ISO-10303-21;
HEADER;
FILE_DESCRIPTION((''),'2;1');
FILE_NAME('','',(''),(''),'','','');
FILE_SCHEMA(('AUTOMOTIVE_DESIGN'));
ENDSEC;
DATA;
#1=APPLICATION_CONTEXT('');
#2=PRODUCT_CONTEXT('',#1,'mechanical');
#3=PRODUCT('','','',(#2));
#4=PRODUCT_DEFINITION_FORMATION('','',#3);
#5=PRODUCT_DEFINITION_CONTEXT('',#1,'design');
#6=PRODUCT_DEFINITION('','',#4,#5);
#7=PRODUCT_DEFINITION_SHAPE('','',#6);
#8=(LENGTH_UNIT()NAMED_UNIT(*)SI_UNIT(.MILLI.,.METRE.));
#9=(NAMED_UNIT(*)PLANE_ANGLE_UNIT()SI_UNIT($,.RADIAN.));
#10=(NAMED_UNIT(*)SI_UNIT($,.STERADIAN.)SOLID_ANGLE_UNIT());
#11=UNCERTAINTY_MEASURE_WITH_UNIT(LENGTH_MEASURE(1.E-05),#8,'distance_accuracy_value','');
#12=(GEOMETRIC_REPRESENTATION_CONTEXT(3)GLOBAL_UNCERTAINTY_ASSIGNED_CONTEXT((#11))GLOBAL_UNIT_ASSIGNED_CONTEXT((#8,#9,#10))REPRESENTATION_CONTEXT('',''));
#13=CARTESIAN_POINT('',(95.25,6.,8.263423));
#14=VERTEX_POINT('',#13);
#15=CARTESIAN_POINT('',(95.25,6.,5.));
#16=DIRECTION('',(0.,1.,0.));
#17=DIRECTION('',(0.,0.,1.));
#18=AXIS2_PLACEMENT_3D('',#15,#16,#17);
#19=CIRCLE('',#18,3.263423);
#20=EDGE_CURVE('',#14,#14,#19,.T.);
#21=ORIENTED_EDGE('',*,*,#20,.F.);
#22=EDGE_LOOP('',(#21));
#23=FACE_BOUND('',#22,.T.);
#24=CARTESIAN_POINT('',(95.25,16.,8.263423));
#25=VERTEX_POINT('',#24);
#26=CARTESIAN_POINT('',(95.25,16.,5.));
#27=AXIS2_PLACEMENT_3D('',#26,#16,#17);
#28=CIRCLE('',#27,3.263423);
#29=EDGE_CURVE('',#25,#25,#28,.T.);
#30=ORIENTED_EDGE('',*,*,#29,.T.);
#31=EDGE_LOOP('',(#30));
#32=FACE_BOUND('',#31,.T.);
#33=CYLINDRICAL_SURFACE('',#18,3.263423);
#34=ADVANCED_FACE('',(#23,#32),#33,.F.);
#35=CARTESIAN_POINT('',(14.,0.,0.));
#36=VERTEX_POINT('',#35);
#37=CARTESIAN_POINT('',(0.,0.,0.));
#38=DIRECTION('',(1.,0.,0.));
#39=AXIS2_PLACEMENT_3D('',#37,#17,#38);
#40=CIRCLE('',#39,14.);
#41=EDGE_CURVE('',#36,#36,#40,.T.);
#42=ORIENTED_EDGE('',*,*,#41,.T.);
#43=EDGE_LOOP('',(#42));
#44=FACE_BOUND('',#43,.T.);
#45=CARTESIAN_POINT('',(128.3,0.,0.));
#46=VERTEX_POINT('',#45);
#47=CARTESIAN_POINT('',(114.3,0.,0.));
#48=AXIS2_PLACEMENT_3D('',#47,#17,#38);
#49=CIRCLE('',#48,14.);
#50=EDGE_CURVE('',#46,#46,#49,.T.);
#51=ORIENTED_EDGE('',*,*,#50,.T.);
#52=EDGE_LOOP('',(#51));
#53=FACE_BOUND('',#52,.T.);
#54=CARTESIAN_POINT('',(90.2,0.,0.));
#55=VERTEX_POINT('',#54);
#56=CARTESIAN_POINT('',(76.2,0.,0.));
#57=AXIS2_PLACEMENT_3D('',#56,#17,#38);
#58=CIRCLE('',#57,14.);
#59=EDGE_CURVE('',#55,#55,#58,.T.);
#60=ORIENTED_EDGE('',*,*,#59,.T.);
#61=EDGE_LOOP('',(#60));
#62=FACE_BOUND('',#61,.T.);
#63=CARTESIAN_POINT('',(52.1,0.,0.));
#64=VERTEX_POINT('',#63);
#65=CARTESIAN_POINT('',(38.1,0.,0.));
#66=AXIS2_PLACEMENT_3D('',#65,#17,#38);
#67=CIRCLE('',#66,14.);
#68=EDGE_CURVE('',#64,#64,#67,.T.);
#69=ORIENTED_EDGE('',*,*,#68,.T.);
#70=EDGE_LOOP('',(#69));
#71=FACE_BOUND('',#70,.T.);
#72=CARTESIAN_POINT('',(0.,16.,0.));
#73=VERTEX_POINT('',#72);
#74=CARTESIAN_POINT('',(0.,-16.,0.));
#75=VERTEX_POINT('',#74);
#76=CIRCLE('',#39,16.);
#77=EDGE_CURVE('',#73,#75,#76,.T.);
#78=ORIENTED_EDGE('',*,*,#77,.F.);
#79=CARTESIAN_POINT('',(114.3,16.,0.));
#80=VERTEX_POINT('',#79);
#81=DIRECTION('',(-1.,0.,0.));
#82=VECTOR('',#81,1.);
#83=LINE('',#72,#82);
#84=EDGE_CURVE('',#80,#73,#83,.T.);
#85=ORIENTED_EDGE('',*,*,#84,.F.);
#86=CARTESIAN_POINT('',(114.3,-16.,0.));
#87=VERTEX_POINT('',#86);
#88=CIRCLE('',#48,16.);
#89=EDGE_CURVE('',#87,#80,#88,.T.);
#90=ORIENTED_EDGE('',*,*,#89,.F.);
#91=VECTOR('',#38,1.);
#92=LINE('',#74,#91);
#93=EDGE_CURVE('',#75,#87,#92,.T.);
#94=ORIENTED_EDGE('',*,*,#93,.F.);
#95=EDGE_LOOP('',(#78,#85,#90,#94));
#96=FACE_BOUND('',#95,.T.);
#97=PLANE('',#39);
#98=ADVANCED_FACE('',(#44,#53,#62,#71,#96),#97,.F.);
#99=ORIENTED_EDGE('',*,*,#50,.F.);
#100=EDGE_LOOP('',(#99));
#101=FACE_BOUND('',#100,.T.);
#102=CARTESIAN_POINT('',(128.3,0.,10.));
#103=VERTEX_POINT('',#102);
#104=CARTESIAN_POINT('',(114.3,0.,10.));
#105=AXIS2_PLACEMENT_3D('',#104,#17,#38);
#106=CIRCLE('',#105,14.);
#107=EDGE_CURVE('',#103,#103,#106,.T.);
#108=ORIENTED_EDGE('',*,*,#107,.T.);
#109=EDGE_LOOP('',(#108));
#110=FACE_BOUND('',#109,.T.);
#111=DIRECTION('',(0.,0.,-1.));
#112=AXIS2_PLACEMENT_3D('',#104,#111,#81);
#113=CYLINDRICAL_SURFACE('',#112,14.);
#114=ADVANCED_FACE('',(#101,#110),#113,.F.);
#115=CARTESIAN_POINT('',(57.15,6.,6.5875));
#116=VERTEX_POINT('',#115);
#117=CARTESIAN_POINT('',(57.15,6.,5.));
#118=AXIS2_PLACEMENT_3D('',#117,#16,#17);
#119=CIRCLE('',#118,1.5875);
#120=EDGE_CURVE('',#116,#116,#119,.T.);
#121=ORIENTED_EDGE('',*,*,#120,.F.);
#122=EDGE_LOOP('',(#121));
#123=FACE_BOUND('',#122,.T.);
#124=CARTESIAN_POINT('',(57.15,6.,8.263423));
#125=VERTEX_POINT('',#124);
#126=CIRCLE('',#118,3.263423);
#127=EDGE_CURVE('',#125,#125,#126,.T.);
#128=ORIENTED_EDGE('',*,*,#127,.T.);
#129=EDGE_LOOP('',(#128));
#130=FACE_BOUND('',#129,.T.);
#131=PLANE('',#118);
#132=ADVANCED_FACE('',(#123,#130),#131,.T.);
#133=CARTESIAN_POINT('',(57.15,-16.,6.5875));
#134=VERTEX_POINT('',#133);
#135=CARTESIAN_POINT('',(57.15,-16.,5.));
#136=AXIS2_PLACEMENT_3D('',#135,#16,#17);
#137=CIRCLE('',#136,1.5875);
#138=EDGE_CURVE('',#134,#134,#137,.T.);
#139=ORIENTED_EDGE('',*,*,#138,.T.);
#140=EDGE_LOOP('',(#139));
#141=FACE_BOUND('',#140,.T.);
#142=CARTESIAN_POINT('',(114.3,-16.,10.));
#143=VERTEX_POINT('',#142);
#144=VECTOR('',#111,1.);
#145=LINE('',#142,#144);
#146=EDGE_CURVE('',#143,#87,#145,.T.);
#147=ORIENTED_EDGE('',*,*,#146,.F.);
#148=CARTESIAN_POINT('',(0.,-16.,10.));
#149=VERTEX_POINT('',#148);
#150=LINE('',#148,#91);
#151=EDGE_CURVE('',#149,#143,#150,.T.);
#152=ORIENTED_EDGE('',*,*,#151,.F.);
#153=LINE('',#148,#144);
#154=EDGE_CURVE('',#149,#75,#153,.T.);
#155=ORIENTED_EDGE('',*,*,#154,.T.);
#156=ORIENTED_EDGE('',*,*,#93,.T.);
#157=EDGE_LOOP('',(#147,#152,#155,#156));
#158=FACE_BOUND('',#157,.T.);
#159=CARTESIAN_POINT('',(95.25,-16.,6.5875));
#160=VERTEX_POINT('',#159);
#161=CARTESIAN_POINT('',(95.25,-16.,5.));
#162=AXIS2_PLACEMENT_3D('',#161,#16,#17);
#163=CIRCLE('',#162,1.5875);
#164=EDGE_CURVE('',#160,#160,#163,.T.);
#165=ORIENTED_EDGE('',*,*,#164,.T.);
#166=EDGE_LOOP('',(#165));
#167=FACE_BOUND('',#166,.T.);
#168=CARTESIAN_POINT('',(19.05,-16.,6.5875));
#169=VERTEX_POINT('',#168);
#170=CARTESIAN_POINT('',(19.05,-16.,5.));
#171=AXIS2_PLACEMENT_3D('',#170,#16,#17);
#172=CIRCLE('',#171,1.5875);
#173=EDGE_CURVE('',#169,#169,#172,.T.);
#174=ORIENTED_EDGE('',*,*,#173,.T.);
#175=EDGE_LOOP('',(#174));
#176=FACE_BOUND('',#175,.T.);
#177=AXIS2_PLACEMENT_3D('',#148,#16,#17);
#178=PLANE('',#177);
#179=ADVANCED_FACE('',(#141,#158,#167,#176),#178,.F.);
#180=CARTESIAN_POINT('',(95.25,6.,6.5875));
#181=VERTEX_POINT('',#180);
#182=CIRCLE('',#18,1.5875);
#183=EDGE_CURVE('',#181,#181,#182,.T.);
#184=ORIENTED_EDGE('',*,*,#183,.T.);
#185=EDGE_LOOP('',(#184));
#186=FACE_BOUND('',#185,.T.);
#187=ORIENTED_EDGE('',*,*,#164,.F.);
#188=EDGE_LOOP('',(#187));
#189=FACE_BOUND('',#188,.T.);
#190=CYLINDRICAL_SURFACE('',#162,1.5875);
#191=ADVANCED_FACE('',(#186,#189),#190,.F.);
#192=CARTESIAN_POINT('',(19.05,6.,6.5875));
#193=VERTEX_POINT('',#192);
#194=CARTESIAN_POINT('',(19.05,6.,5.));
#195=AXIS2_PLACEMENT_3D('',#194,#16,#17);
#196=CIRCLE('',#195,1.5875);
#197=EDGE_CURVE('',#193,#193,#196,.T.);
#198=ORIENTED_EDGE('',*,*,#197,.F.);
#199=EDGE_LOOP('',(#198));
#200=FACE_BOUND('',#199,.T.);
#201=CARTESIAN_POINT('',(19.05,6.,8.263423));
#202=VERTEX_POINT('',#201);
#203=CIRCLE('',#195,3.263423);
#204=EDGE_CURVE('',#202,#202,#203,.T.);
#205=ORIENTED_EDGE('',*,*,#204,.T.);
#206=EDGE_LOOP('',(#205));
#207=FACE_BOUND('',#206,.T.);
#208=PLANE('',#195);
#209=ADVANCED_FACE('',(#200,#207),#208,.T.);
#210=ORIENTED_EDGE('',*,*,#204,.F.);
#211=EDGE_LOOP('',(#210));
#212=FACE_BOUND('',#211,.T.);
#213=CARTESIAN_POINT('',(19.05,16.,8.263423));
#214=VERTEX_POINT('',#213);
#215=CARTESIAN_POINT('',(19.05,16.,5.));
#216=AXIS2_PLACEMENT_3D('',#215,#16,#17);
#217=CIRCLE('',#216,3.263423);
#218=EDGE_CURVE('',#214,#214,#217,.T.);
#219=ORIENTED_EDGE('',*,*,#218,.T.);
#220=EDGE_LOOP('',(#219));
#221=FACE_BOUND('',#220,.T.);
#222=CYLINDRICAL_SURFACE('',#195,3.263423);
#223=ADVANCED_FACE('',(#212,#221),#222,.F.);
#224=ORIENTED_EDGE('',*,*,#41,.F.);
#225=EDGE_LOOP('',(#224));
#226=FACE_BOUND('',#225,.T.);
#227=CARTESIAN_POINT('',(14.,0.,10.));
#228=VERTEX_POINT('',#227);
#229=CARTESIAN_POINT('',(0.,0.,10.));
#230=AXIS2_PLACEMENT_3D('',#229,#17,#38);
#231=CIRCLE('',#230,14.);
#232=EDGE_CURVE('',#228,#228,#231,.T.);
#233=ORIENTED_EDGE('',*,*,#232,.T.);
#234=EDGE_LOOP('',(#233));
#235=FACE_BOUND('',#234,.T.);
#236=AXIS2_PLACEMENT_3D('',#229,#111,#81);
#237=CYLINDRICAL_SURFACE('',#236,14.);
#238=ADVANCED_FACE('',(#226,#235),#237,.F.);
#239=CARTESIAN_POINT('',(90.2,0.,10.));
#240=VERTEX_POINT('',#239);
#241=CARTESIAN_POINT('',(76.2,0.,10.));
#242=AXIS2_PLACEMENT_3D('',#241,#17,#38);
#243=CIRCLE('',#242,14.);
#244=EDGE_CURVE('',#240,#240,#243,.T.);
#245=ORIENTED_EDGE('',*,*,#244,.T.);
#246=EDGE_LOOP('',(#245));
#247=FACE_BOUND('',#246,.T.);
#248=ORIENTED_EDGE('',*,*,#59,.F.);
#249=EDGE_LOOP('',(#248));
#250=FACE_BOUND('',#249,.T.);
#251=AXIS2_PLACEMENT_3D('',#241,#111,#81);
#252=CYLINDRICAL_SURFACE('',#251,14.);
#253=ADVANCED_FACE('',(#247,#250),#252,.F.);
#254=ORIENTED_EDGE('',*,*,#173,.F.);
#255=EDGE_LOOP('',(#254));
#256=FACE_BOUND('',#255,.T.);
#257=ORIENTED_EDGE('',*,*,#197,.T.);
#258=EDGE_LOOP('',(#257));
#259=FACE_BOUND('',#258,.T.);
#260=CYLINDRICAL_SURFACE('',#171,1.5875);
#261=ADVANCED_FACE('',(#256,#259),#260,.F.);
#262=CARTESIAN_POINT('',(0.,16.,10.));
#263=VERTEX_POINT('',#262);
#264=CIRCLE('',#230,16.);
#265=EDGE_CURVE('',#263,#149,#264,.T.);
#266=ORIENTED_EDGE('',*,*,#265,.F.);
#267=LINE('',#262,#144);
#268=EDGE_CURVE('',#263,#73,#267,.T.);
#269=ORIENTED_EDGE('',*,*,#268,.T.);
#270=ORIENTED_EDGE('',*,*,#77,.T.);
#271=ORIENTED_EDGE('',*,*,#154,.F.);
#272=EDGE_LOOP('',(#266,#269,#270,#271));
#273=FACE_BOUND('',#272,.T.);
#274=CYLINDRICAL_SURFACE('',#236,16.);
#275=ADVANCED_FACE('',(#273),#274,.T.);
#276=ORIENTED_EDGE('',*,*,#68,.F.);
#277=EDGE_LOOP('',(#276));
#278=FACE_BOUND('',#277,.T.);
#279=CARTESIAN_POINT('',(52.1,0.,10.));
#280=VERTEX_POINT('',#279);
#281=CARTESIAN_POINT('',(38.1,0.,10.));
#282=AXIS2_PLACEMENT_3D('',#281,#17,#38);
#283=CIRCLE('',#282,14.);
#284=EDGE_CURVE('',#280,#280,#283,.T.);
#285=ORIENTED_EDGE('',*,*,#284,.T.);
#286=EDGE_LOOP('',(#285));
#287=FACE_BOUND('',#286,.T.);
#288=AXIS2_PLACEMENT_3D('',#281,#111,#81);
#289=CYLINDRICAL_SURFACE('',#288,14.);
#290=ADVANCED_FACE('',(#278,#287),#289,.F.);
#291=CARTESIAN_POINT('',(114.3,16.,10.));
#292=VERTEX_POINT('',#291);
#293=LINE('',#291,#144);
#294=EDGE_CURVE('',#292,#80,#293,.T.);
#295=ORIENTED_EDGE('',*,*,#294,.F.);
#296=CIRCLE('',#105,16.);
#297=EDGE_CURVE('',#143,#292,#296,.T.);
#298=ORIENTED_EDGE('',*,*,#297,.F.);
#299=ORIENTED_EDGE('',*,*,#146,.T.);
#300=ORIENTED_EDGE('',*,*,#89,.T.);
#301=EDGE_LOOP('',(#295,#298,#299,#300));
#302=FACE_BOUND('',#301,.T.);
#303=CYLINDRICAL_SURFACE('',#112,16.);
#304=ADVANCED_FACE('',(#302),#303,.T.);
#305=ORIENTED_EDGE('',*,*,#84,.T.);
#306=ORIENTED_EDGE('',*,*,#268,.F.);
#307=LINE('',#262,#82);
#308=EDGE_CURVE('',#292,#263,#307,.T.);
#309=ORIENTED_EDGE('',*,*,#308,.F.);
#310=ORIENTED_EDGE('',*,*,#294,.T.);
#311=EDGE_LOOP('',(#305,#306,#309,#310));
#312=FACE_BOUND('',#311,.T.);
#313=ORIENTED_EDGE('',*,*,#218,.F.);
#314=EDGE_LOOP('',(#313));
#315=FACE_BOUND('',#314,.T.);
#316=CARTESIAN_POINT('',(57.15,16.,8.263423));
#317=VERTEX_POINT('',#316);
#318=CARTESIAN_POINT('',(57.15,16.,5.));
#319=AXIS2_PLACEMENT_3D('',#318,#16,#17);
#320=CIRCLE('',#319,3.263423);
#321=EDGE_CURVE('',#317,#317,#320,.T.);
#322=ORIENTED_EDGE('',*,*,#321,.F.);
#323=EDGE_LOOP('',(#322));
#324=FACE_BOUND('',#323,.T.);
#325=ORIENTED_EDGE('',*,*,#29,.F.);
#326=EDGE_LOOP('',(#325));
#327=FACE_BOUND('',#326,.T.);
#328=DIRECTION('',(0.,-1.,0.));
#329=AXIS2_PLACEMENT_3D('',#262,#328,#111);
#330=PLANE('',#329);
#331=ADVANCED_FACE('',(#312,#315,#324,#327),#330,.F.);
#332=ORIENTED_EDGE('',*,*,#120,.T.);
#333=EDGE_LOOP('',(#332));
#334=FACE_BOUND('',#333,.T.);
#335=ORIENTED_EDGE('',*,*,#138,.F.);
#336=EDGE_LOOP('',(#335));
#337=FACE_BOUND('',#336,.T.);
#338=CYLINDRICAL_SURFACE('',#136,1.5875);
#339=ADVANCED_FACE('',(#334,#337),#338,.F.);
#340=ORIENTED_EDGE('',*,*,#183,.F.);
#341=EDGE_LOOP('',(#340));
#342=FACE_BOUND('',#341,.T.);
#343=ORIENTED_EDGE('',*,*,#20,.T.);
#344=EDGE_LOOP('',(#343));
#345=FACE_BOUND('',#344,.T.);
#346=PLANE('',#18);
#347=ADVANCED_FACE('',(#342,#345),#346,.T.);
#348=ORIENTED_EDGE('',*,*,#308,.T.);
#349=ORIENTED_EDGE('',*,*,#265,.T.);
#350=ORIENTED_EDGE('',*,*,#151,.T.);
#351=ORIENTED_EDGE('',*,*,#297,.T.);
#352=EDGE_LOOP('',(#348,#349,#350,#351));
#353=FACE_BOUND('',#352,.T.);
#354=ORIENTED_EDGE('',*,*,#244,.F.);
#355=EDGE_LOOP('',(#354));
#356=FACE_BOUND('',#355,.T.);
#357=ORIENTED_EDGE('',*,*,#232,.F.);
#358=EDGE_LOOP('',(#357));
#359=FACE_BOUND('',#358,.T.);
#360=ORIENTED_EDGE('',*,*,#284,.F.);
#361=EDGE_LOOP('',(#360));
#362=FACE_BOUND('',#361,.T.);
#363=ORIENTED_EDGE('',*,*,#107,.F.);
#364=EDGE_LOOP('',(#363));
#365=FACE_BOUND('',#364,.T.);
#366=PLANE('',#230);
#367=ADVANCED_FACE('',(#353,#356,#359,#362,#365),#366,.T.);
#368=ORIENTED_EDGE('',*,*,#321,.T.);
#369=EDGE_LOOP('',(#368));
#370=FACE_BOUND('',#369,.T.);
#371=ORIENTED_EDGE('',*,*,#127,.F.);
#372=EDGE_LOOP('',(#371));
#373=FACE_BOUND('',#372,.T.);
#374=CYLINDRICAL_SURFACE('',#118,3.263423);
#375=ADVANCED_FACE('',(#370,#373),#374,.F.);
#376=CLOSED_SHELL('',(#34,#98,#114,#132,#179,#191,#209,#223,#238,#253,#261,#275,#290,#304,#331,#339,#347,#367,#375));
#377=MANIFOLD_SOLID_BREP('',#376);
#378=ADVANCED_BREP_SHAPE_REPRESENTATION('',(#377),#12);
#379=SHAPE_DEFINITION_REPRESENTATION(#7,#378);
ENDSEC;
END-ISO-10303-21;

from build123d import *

# Parameters (mm, degrees)
SKETCH1_R           = 14
BOSS_EXTRUDE1_DEPTH = 10
SKETCH3_R           = 3.263423297
CUT_EXTRUDE1_DEPTH  = 10
SKETCH4_R           = 1.5875
CUT_EXTRUDE2_DEPTH  = 133.522035903
LPATTERN1_COUNT     = 3
LPATTERN1_PITCH     = 38.1


with BuildPart() as part:
    # Sketch1 → Boss-Extrude1 (new body)
    with BuildSketch(Plane.XY):
        with BuildLine():
            Line((0, 16), (114.3, 16))
            ThreePointArc((114.3, 16), (130.3, 0), (114.3, -16))
            Line((114.3, -16), (0, -16))
            ThreePointArc((0, -16), (-16, 0), (0, 16))
        make_face()
        Circle(SKETCH1_R, mode=Mode.SUBTRACT)
        with Locations((38.1, 0)):
            Circle(SKETCH1_R, mode=Mode.SUBTRACT)
        with Locations((76.2, 0)):
            Circle(SKETCH1_R, mode=Mode.SUBTRACT)
        with Locations((114.3, 0)):
            Circle(SKETCH1_R, mode=Mode.SUBTRACT)
    extrude(amount=BOSS_EXTRUDE1_DEPTH)

    # Sketch3 → Cut-Extrude1 (cut)
    with BuildSketch(Plane(origin=(0, 16, 0), x_dir=(1, 0, 0), z_dir=(0, 1, 0))):
        with Locations(Location((19.05, -5, 0), (0, 0, 270))):
            Circle(SKETCH3_R)
    cut_extrude1 = extrude(amount=-CUT_EXTRUDE1_DEPTH, mode=Mode.SUBTRACT)

    # Sketch4 → Cut-Extrude2 (cut, through all)
    with BuildSketch(Plane(origin=(0, 6, 0), x_dir=(1, 0, 0), z_dir=(0, 1, 0))):
        with Locations(Location((19.05, -5, 0), (0, 0, 270))):
            Circle(SKETCH4_R)
    cut_extrude2 = extrude(amount=-CUT_EXTRUDE2_DEPTH, mode=Mode.SUBTRACT)

    # LPattern1: Cut-Extrude1, Cut-Extrude2 ×3
    with Locations(*[(i * LPATTERN1_PITCH, 0, 0) for i in range(1, LPATTERN1_COUNT)]):
        add(cut_extrude1, mode=Mode.SUBTRACT)
        add(cut_extrude2, mode=Mode.SUBTRACT)


solid = part.part
